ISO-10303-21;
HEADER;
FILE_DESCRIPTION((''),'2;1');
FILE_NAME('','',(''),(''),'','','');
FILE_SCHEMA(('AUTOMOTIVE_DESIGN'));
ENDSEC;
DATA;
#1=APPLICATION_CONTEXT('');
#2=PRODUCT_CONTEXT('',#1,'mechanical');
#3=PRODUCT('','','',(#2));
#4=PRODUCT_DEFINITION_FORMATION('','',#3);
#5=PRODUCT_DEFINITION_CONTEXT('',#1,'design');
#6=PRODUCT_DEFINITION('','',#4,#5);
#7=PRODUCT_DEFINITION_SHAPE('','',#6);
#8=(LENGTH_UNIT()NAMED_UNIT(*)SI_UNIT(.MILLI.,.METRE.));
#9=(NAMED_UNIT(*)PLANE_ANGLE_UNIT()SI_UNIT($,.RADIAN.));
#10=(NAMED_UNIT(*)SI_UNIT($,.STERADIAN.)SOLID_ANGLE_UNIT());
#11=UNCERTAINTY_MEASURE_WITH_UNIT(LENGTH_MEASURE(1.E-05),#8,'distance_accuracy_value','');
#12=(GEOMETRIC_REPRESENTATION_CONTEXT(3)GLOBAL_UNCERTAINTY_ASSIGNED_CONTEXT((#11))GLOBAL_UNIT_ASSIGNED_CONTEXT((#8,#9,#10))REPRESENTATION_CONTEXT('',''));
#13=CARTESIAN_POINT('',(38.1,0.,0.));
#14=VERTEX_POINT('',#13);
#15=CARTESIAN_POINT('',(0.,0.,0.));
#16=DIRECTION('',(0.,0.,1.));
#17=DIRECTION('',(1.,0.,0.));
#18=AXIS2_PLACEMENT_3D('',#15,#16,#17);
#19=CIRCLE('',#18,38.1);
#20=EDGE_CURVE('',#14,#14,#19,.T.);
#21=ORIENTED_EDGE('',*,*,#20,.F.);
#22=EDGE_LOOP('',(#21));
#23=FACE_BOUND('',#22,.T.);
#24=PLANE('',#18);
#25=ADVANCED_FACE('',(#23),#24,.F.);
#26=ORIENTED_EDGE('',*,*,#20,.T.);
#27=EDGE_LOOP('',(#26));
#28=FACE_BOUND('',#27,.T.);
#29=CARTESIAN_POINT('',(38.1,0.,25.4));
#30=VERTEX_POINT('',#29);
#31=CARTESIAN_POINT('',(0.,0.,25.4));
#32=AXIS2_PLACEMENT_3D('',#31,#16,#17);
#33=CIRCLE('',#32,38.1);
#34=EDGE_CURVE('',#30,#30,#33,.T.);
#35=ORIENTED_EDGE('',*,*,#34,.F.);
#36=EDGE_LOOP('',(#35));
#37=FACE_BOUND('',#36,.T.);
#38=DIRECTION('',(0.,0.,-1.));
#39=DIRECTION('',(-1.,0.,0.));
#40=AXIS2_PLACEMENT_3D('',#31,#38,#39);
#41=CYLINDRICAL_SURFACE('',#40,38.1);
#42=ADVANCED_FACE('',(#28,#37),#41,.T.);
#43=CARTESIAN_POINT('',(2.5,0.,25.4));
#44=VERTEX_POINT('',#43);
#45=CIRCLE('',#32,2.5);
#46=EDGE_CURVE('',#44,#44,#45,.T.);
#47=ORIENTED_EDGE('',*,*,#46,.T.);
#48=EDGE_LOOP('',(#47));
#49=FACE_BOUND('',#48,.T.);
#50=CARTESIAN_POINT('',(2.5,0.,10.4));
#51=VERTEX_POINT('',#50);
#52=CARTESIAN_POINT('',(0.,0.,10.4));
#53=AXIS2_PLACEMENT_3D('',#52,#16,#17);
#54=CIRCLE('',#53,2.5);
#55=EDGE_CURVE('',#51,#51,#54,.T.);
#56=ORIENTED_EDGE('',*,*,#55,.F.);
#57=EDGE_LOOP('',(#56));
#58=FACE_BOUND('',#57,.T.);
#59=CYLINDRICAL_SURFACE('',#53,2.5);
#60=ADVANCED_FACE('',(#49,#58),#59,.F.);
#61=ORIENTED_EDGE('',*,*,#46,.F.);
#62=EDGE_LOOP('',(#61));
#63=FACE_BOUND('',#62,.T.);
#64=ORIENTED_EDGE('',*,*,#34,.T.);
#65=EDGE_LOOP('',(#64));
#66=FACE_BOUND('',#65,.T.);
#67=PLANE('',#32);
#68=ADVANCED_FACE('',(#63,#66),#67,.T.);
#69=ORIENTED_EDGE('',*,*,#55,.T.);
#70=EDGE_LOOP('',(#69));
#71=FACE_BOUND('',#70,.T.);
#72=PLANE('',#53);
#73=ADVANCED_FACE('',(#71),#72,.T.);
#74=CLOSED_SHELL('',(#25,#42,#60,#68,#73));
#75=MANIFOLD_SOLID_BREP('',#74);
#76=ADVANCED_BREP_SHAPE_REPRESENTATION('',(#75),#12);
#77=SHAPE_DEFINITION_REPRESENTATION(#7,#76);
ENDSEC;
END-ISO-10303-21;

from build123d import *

# Parameters (mm, degrees)
SKETCH1_R      = 38.1
EXTRUDE1_DEPTH = 25.4
SKETCH2_R      = 2.5
EXTRUDE2_DEPTH = 15


with BuildPart() as part:
    # Sketch1 → Extrude1 (new body)
    with BuildSketch(Plane.XY):
        Circle(SKETCH1_R)
    extrude(amount=EXTRUDE1_DEPTH)

    # Sketch2 → Extrude2 (cut)
    with BuildSketch(Plane.XY.offset(25.4)):
        Circle(SKETCH2_R)
    extrude(amount=-EXTRUDE2_DEPTH, mode=Mode.SUBTRACT)


solid = part.part
